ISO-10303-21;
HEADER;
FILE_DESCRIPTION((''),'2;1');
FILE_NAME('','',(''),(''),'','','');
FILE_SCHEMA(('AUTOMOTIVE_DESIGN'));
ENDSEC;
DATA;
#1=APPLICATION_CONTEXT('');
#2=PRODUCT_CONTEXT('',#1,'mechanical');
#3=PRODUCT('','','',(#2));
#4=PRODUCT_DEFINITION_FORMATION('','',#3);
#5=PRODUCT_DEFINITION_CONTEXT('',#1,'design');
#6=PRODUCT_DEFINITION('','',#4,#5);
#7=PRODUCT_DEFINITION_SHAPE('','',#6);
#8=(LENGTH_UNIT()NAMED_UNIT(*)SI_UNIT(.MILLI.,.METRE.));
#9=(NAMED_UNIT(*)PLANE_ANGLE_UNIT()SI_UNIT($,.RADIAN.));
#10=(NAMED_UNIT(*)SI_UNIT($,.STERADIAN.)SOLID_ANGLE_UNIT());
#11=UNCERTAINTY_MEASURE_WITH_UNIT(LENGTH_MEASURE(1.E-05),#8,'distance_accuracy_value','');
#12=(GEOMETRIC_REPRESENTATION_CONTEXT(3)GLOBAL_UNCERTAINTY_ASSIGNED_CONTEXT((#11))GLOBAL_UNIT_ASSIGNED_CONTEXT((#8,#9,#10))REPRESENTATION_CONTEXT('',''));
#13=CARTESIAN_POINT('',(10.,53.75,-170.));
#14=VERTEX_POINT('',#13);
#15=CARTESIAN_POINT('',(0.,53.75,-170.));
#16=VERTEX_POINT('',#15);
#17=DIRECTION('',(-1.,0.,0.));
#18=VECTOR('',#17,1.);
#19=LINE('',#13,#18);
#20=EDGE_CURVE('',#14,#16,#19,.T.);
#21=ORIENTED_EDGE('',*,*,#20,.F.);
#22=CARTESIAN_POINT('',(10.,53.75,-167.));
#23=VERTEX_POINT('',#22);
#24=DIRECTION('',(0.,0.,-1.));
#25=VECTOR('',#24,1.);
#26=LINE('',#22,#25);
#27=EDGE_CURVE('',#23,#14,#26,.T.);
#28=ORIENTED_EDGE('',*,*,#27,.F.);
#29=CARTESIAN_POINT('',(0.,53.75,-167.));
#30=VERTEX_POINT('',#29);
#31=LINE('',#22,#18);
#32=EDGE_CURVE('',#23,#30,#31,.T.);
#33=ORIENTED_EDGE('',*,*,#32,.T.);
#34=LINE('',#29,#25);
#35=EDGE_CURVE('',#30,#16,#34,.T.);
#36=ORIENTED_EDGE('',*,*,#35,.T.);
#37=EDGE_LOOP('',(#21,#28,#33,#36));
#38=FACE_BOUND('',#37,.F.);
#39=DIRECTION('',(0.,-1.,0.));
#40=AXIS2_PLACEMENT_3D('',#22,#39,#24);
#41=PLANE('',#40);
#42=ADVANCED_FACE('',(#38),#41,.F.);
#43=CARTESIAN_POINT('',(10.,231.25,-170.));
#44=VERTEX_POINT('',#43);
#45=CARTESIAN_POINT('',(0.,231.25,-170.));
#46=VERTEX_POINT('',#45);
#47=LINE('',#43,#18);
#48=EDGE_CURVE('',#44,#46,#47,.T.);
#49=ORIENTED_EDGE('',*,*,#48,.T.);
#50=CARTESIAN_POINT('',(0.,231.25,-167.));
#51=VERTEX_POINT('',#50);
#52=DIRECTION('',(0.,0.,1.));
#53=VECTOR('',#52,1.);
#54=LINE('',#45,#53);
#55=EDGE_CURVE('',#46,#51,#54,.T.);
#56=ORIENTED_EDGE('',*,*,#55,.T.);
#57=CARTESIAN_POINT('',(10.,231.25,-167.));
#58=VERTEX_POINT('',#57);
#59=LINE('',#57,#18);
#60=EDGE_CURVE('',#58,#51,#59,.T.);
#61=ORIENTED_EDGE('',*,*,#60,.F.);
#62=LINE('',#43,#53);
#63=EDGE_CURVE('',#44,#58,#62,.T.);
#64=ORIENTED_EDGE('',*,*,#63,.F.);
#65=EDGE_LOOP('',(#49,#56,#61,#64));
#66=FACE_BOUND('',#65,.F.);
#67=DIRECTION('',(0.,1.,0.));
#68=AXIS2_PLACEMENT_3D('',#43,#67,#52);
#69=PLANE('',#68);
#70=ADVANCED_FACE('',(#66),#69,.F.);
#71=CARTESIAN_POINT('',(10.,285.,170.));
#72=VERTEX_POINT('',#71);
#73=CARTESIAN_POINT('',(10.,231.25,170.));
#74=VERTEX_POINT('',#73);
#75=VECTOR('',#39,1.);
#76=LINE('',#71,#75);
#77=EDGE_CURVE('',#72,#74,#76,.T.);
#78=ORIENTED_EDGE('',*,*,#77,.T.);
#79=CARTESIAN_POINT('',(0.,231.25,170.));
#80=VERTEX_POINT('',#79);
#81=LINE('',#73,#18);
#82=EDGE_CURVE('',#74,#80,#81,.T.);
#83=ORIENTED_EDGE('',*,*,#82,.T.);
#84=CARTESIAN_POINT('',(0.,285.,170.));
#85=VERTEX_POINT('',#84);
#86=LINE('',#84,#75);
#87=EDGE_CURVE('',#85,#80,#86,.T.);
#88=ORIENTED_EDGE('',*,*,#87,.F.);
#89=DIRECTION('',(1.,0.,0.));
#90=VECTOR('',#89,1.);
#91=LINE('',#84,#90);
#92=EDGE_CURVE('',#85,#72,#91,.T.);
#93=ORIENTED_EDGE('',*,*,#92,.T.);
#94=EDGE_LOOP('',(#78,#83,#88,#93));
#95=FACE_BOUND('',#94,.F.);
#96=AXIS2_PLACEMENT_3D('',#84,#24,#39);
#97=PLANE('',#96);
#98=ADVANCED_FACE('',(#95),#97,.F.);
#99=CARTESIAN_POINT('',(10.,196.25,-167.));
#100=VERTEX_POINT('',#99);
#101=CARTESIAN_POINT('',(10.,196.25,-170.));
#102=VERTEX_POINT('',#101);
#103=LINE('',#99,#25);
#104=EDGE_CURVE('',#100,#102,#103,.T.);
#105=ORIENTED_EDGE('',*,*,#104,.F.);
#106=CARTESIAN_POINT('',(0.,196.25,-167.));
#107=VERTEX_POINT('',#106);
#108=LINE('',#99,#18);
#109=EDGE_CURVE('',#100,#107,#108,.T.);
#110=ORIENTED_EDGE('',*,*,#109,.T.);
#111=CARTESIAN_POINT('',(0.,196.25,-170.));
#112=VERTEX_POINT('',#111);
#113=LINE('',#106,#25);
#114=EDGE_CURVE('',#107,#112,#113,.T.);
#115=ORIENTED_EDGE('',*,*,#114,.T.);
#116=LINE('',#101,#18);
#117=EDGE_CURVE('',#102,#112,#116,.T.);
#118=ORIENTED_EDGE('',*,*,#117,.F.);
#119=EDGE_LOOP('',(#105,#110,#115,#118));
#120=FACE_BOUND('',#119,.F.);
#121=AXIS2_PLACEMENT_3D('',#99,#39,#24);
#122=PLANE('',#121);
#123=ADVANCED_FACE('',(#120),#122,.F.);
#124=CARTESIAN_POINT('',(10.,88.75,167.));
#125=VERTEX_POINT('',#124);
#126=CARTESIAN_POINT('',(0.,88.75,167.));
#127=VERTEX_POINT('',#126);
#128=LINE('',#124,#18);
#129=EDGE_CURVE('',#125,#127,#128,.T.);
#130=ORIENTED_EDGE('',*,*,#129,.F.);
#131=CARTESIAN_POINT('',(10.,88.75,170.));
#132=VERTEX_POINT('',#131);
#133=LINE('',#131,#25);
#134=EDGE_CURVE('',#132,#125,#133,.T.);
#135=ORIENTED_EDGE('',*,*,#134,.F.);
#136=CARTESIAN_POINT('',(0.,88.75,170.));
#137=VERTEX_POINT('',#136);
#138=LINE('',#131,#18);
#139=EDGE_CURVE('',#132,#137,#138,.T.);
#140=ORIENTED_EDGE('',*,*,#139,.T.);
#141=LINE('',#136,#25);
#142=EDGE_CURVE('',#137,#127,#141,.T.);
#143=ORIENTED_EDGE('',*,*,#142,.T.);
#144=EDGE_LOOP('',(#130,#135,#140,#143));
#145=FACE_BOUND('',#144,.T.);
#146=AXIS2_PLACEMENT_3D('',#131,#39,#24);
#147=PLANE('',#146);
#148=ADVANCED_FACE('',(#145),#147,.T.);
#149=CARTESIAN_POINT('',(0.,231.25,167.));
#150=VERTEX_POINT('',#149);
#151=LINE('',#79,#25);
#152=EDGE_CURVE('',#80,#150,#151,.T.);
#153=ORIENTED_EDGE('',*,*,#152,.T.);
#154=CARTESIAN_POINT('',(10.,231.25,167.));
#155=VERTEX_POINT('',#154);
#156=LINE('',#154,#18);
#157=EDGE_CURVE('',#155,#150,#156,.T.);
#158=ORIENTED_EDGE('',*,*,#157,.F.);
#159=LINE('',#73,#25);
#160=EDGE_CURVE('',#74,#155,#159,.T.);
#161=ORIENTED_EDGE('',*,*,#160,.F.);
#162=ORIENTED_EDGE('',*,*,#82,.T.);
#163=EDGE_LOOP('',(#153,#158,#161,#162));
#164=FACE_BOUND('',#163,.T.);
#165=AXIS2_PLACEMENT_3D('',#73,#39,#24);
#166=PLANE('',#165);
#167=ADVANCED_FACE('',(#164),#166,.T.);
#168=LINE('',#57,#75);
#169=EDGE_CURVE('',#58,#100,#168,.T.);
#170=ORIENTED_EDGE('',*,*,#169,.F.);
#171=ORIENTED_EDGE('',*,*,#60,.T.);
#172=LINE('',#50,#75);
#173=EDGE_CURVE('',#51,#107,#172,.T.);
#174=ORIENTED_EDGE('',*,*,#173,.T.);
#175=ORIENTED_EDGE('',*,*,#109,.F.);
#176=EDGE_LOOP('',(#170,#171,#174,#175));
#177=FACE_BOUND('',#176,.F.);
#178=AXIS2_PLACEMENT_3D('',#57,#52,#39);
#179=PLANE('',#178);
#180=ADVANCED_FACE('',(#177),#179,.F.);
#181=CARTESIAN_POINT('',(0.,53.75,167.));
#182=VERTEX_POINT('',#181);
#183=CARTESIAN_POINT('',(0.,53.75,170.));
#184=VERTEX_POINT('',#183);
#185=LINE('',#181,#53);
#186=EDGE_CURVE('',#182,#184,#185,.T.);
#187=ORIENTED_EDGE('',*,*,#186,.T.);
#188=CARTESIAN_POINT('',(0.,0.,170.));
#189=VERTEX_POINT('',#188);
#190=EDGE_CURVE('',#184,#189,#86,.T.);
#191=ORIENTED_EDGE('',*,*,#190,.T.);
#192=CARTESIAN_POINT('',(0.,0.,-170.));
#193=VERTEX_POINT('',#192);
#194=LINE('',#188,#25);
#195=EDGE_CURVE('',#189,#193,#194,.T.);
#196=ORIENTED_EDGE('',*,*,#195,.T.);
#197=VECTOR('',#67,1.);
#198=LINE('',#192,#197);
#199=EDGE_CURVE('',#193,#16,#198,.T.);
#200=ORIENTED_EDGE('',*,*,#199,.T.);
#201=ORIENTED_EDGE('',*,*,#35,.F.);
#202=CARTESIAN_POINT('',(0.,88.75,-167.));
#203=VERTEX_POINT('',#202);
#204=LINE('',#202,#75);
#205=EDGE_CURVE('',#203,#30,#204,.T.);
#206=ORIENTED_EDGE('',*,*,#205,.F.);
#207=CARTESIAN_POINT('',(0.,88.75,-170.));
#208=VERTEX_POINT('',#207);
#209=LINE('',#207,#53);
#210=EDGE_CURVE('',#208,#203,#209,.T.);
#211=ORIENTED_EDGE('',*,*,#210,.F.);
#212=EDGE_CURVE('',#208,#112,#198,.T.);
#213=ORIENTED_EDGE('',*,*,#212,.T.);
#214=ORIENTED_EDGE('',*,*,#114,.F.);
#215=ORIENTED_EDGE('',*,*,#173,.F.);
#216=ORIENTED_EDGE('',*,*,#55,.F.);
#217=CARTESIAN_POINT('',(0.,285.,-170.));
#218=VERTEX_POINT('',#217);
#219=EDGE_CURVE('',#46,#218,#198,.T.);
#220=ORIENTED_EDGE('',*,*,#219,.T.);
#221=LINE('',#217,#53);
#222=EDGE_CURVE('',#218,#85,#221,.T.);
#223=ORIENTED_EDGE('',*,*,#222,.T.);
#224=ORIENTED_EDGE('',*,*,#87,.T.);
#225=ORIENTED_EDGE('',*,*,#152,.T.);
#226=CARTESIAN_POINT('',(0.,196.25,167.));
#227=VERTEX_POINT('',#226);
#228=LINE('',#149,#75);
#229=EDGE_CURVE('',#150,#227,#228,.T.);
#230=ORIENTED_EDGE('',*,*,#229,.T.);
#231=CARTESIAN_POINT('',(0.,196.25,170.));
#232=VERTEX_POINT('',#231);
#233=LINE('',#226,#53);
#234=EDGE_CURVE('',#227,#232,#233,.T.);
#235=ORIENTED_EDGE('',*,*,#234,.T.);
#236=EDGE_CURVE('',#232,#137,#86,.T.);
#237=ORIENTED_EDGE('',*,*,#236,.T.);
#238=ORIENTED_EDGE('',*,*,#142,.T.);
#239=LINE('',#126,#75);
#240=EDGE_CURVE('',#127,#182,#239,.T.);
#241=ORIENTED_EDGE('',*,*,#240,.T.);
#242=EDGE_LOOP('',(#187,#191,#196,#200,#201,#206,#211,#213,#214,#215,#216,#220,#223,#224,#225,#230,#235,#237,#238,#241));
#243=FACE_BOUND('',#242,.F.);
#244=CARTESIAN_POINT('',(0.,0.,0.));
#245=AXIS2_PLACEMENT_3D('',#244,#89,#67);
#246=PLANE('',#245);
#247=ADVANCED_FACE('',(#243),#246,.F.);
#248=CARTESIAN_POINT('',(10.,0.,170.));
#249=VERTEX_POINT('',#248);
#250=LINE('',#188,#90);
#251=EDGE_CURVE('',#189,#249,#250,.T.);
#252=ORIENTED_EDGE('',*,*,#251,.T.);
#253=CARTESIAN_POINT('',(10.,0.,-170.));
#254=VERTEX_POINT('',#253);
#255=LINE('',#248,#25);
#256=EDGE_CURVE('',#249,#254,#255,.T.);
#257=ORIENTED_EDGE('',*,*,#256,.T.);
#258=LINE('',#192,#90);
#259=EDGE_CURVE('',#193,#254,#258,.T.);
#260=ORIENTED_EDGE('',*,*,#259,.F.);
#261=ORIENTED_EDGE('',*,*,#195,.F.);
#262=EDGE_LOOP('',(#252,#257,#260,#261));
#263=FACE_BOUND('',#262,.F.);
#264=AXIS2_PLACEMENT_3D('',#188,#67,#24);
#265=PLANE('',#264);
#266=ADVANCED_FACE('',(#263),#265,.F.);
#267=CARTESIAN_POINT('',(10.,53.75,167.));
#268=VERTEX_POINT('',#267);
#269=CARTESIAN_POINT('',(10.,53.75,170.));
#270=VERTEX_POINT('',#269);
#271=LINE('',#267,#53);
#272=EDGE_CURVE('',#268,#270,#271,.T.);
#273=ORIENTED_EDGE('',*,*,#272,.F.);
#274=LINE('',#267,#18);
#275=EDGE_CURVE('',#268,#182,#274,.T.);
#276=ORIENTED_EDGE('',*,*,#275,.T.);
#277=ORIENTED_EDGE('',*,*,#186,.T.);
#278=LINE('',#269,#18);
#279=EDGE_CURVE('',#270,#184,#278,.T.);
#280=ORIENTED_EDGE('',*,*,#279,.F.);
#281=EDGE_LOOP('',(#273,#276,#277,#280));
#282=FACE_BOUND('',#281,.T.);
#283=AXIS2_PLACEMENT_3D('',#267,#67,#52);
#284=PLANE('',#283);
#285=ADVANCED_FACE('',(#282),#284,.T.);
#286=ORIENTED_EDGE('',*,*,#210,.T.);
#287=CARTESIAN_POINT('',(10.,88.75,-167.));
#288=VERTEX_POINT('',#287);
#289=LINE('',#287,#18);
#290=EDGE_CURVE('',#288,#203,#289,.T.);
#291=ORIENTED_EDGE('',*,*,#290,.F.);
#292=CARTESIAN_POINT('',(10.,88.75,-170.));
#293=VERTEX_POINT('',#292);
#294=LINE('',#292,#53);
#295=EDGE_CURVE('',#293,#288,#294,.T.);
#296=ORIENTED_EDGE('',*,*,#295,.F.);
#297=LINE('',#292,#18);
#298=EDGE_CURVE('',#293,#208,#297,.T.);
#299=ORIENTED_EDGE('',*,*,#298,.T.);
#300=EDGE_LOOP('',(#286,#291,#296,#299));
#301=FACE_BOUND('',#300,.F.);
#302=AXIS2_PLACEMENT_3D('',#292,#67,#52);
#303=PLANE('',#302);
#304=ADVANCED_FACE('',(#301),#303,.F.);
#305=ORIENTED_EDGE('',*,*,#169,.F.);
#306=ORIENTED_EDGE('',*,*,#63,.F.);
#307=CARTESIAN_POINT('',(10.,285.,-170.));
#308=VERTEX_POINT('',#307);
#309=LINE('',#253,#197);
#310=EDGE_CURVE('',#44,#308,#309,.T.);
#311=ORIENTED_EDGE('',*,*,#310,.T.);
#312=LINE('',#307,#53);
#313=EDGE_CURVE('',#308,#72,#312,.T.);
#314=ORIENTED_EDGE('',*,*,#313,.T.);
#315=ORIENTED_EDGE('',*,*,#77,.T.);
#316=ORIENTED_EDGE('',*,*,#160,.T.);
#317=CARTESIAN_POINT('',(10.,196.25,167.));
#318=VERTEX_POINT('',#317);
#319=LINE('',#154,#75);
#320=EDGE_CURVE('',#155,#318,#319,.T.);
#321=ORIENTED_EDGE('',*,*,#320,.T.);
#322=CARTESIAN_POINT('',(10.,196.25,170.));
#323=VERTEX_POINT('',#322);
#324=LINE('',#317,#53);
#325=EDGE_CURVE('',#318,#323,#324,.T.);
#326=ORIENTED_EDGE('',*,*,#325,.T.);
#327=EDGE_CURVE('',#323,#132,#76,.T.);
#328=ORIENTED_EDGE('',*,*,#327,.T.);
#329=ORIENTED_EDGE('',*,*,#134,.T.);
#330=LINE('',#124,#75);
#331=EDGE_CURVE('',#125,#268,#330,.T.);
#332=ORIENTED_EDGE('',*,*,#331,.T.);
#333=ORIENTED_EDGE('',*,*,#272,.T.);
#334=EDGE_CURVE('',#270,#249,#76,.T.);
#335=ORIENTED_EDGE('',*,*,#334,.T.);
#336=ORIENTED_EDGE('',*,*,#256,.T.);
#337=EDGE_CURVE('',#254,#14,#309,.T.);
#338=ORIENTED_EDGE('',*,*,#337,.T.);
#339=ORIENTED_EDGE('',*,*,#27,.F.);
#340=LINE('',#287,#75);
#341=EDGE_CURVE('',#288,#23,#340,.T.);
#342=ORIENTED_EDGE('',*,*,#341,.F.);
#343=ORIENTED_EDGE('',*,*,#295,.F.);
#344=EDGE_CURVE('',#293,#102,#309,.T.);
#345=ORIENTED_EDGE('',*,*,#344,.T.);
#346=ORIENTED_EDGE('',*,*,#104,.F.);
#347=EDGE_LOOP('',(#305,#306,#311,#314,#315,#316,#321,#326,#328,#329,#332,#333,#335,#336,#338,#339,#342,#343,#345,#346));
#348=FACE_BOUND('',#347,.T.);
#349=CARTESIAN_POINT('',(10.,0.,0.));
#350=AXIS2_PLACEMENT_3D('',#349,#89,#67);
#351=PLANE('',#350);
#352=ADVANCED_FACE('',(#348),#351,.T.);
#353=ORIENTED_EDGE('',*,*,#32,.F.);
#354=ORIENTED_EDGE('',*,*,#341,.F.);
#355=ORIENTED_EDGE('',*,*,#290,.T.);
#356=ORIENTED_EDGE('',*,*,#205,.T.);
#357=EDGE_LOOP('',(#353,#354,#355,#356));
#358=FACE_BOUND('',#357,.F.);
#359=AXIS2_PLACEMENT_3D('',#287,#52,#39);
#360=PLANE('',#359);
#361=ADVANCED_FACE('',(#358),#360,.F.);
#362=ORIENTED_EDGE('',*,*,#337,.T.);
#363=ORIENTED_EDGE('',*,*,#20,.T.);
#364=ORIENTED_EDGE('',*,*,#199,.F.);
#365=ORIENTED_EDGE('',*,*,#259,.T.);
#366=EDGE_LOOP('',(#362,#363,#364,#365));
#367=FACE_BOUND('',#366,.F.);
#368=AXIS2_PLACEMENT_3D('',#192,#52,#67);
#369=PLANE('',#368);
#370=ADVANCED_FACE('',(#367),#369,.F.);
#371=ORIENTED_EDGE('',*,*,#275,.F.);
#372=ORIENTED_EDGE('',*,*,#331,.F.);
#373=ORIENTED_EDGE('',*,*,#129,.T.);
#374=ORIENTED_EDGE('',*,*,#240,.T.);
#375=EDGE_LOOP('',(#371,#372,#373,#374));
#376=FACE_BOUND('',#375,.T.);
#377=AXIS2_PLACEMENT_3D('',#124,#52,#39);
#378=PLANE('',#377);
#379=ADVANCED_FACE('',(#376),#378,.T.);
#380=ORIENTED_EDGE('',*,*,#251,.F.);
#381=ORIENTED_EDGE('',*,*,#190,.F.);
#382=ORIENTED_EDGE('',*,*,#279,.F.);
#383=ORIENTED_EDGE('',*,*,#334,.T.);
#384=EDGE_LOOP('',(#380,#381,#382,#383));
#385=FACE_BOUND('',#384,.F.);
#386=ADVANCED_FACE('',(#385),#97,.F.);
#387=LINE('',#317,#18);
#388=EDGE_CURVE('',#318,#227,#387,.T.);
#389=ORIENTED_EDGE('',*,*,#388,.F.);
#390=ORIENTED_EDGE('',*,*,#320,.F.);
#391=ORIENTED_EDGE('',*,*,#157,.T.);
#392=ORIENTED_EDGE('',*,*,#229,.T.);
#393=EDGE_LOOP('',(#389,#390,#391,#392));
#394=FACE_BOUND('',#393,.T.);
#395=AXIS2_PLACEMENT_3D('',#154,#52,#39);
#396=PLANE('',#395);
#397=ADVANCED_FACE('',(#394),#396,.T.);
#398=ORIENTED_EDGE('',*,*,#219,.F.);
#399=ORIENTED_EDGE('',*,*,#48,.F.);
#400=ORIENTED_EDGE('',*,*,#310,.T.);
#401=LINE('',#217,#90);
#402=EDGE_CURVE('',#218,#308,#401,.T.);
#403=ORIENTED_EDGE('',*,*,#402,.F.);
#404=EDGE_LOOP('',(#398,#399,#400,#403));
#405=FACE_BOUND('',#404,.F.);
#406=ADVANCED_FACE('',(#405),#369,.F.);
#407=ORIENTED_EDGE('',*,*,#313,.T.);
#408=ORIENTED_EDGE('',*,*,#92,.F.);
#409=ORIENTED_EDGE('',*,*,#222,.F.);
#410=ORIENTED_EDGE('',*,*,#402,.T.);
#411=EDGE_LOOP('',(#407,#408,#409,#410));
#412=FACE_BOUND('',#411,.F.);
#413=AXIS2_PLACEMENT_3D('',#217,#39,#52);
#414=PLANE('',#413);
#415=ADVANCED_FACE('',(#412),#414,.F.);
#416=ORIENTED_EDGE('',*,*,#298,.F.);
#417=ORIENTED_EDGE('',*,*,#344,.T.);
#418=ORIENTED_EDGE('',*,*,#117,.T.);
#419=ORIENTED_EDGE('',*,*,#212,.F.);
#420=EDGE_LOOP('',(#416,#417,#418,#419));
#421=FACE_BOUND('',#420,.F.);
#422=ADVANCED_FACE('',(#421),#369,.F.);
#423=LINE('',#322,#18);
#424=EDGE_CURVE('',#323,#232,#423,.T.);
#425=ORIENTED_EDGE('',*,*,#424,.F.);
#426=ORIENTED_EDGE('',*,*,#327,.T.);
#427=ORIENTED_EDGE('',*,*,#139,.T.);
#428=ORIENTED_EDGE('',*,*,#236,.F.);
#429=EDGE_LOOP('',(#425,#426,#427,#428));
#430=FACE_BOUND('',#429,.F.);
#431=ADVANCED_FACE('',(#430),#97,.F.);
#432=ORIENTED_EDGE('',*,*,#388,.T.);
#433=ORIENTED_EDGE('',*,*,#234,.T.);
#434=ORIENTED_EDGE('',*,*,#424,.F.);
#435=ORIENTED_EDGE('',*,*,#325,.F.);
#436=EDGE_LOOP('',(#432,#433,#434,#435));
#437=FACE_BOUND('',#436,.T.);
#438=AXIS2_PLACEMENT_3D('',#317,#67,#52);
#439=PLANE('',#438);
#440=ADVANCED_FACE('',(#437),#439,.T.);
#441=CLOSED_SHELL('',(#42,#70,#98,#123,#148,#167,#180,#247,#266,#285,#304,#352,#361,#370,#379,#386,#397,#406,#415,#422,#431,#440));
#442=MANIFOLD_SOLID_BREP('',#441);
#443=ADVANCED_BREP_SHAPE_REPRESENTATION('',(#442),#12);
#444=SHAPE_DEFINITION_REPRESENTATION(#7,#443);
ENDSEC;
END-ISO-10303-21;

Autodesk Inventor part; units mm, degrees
ref_plane "YZ Plane" through (0, 0, 0) normal (1, 0, 0) x (0, 1, 0)
ref_plane "XZ Plane" through (0, 0, 0) normal (0, 1, 0) x (-1, 0, 0)
ref_plane "XY Plane" through (0, 0, 0) normal (0, 0, 1) x (1, 0, 0)
sketch "스케치1" plane through (0, 0, 0) normal (1, 0, 0) x (0, 1, 0)
  line L0 (285, 170) -> (0, 170)
  line L1 (0, 170) -> (0, -170)
  line L2 (0, -170) -> (285, -170)
  line L3 (285, -170) -> (285, 170)
  point P0 (0, 0)
  point P1 (0, 0)
  dimension "d0" = 285
  dimension "d1" = 340
extrude "돌출1" add sketch "스케치1" along normal blind 10
sketch "스케치2" plane through (10, 0, 0) normal (1, 0, 0) x (0, 0, -1)
  line L0 (-170, 0) -> (170, 0) construction
  line L1 (170, 0) -> (170, 285) construction
  line L2 (170, 285) -> (-170, 285) construction
  line L3 (-170, 285) -> (-170, 0) construction
  line L4 (-170, 142.5) -> (170, 142.5) construction
  line L5 (-170, 213.75) -> (170, 213.75) construction
  line L6 (-170, 71.25) -> (170, 71.25) construction
  line L7 (-170, 231.25) -> (-167, 231.25)
  line L8 (-167, 231.25) -> (-167, 196.25)
  line L9 (-167, 196.25) -> (-170, 196.25)
  line L10 (-170, 196.25) -> (-170, 231.25)
  line L11 (-170, 88.75) -> (-167, 88.75)
  line L12 (-167, 88.75) -> (-167, 53.75)
  line L13 (-167, 53.75) -> (-170, 53.75)
  line L14 (-170, 53.75) -> (-170, 88.75)
  line L15 (170, 88.75) -> (167, 88.75)
  line L16 (167, 88.75) -> (167, 53.75)
  line L17 (167, 53.75) -> (170, 53.75)
  line L18 (170, 53.75) -> (170, 88.75)
  line L19 (170, 231.25) -> (167, 231.25)
  line L20 (167, 231.25) -> (167, 196.25)
  line L21 (167, 196.25) -> (170, 196.25)
  line L22 (170, 196.25) -> (170, 231.25)
  point P0 (0, 0)
  point P1 (-167, 213.75)
  point P2 (-167, 71.25)
  point P3 (167, 71.25)
  point P4 (167, 213.75)
  dimension "d4" = 142.5
  dimension "d5" = 71.25
  dimension "d6" = 71.25
  dimension "d7" = 3
  dimension "d8" = 35
  dimension "d9" = 3
  dimension "d10" = 35
  dimension "d11" = 3
  dimension "d12" = 35
  dimension "d13" = 3
  dimension "d14" = 35
extrude "돌출2" cut sketch "스케치2" against normal blind 10
properties part number "back_cowl"
